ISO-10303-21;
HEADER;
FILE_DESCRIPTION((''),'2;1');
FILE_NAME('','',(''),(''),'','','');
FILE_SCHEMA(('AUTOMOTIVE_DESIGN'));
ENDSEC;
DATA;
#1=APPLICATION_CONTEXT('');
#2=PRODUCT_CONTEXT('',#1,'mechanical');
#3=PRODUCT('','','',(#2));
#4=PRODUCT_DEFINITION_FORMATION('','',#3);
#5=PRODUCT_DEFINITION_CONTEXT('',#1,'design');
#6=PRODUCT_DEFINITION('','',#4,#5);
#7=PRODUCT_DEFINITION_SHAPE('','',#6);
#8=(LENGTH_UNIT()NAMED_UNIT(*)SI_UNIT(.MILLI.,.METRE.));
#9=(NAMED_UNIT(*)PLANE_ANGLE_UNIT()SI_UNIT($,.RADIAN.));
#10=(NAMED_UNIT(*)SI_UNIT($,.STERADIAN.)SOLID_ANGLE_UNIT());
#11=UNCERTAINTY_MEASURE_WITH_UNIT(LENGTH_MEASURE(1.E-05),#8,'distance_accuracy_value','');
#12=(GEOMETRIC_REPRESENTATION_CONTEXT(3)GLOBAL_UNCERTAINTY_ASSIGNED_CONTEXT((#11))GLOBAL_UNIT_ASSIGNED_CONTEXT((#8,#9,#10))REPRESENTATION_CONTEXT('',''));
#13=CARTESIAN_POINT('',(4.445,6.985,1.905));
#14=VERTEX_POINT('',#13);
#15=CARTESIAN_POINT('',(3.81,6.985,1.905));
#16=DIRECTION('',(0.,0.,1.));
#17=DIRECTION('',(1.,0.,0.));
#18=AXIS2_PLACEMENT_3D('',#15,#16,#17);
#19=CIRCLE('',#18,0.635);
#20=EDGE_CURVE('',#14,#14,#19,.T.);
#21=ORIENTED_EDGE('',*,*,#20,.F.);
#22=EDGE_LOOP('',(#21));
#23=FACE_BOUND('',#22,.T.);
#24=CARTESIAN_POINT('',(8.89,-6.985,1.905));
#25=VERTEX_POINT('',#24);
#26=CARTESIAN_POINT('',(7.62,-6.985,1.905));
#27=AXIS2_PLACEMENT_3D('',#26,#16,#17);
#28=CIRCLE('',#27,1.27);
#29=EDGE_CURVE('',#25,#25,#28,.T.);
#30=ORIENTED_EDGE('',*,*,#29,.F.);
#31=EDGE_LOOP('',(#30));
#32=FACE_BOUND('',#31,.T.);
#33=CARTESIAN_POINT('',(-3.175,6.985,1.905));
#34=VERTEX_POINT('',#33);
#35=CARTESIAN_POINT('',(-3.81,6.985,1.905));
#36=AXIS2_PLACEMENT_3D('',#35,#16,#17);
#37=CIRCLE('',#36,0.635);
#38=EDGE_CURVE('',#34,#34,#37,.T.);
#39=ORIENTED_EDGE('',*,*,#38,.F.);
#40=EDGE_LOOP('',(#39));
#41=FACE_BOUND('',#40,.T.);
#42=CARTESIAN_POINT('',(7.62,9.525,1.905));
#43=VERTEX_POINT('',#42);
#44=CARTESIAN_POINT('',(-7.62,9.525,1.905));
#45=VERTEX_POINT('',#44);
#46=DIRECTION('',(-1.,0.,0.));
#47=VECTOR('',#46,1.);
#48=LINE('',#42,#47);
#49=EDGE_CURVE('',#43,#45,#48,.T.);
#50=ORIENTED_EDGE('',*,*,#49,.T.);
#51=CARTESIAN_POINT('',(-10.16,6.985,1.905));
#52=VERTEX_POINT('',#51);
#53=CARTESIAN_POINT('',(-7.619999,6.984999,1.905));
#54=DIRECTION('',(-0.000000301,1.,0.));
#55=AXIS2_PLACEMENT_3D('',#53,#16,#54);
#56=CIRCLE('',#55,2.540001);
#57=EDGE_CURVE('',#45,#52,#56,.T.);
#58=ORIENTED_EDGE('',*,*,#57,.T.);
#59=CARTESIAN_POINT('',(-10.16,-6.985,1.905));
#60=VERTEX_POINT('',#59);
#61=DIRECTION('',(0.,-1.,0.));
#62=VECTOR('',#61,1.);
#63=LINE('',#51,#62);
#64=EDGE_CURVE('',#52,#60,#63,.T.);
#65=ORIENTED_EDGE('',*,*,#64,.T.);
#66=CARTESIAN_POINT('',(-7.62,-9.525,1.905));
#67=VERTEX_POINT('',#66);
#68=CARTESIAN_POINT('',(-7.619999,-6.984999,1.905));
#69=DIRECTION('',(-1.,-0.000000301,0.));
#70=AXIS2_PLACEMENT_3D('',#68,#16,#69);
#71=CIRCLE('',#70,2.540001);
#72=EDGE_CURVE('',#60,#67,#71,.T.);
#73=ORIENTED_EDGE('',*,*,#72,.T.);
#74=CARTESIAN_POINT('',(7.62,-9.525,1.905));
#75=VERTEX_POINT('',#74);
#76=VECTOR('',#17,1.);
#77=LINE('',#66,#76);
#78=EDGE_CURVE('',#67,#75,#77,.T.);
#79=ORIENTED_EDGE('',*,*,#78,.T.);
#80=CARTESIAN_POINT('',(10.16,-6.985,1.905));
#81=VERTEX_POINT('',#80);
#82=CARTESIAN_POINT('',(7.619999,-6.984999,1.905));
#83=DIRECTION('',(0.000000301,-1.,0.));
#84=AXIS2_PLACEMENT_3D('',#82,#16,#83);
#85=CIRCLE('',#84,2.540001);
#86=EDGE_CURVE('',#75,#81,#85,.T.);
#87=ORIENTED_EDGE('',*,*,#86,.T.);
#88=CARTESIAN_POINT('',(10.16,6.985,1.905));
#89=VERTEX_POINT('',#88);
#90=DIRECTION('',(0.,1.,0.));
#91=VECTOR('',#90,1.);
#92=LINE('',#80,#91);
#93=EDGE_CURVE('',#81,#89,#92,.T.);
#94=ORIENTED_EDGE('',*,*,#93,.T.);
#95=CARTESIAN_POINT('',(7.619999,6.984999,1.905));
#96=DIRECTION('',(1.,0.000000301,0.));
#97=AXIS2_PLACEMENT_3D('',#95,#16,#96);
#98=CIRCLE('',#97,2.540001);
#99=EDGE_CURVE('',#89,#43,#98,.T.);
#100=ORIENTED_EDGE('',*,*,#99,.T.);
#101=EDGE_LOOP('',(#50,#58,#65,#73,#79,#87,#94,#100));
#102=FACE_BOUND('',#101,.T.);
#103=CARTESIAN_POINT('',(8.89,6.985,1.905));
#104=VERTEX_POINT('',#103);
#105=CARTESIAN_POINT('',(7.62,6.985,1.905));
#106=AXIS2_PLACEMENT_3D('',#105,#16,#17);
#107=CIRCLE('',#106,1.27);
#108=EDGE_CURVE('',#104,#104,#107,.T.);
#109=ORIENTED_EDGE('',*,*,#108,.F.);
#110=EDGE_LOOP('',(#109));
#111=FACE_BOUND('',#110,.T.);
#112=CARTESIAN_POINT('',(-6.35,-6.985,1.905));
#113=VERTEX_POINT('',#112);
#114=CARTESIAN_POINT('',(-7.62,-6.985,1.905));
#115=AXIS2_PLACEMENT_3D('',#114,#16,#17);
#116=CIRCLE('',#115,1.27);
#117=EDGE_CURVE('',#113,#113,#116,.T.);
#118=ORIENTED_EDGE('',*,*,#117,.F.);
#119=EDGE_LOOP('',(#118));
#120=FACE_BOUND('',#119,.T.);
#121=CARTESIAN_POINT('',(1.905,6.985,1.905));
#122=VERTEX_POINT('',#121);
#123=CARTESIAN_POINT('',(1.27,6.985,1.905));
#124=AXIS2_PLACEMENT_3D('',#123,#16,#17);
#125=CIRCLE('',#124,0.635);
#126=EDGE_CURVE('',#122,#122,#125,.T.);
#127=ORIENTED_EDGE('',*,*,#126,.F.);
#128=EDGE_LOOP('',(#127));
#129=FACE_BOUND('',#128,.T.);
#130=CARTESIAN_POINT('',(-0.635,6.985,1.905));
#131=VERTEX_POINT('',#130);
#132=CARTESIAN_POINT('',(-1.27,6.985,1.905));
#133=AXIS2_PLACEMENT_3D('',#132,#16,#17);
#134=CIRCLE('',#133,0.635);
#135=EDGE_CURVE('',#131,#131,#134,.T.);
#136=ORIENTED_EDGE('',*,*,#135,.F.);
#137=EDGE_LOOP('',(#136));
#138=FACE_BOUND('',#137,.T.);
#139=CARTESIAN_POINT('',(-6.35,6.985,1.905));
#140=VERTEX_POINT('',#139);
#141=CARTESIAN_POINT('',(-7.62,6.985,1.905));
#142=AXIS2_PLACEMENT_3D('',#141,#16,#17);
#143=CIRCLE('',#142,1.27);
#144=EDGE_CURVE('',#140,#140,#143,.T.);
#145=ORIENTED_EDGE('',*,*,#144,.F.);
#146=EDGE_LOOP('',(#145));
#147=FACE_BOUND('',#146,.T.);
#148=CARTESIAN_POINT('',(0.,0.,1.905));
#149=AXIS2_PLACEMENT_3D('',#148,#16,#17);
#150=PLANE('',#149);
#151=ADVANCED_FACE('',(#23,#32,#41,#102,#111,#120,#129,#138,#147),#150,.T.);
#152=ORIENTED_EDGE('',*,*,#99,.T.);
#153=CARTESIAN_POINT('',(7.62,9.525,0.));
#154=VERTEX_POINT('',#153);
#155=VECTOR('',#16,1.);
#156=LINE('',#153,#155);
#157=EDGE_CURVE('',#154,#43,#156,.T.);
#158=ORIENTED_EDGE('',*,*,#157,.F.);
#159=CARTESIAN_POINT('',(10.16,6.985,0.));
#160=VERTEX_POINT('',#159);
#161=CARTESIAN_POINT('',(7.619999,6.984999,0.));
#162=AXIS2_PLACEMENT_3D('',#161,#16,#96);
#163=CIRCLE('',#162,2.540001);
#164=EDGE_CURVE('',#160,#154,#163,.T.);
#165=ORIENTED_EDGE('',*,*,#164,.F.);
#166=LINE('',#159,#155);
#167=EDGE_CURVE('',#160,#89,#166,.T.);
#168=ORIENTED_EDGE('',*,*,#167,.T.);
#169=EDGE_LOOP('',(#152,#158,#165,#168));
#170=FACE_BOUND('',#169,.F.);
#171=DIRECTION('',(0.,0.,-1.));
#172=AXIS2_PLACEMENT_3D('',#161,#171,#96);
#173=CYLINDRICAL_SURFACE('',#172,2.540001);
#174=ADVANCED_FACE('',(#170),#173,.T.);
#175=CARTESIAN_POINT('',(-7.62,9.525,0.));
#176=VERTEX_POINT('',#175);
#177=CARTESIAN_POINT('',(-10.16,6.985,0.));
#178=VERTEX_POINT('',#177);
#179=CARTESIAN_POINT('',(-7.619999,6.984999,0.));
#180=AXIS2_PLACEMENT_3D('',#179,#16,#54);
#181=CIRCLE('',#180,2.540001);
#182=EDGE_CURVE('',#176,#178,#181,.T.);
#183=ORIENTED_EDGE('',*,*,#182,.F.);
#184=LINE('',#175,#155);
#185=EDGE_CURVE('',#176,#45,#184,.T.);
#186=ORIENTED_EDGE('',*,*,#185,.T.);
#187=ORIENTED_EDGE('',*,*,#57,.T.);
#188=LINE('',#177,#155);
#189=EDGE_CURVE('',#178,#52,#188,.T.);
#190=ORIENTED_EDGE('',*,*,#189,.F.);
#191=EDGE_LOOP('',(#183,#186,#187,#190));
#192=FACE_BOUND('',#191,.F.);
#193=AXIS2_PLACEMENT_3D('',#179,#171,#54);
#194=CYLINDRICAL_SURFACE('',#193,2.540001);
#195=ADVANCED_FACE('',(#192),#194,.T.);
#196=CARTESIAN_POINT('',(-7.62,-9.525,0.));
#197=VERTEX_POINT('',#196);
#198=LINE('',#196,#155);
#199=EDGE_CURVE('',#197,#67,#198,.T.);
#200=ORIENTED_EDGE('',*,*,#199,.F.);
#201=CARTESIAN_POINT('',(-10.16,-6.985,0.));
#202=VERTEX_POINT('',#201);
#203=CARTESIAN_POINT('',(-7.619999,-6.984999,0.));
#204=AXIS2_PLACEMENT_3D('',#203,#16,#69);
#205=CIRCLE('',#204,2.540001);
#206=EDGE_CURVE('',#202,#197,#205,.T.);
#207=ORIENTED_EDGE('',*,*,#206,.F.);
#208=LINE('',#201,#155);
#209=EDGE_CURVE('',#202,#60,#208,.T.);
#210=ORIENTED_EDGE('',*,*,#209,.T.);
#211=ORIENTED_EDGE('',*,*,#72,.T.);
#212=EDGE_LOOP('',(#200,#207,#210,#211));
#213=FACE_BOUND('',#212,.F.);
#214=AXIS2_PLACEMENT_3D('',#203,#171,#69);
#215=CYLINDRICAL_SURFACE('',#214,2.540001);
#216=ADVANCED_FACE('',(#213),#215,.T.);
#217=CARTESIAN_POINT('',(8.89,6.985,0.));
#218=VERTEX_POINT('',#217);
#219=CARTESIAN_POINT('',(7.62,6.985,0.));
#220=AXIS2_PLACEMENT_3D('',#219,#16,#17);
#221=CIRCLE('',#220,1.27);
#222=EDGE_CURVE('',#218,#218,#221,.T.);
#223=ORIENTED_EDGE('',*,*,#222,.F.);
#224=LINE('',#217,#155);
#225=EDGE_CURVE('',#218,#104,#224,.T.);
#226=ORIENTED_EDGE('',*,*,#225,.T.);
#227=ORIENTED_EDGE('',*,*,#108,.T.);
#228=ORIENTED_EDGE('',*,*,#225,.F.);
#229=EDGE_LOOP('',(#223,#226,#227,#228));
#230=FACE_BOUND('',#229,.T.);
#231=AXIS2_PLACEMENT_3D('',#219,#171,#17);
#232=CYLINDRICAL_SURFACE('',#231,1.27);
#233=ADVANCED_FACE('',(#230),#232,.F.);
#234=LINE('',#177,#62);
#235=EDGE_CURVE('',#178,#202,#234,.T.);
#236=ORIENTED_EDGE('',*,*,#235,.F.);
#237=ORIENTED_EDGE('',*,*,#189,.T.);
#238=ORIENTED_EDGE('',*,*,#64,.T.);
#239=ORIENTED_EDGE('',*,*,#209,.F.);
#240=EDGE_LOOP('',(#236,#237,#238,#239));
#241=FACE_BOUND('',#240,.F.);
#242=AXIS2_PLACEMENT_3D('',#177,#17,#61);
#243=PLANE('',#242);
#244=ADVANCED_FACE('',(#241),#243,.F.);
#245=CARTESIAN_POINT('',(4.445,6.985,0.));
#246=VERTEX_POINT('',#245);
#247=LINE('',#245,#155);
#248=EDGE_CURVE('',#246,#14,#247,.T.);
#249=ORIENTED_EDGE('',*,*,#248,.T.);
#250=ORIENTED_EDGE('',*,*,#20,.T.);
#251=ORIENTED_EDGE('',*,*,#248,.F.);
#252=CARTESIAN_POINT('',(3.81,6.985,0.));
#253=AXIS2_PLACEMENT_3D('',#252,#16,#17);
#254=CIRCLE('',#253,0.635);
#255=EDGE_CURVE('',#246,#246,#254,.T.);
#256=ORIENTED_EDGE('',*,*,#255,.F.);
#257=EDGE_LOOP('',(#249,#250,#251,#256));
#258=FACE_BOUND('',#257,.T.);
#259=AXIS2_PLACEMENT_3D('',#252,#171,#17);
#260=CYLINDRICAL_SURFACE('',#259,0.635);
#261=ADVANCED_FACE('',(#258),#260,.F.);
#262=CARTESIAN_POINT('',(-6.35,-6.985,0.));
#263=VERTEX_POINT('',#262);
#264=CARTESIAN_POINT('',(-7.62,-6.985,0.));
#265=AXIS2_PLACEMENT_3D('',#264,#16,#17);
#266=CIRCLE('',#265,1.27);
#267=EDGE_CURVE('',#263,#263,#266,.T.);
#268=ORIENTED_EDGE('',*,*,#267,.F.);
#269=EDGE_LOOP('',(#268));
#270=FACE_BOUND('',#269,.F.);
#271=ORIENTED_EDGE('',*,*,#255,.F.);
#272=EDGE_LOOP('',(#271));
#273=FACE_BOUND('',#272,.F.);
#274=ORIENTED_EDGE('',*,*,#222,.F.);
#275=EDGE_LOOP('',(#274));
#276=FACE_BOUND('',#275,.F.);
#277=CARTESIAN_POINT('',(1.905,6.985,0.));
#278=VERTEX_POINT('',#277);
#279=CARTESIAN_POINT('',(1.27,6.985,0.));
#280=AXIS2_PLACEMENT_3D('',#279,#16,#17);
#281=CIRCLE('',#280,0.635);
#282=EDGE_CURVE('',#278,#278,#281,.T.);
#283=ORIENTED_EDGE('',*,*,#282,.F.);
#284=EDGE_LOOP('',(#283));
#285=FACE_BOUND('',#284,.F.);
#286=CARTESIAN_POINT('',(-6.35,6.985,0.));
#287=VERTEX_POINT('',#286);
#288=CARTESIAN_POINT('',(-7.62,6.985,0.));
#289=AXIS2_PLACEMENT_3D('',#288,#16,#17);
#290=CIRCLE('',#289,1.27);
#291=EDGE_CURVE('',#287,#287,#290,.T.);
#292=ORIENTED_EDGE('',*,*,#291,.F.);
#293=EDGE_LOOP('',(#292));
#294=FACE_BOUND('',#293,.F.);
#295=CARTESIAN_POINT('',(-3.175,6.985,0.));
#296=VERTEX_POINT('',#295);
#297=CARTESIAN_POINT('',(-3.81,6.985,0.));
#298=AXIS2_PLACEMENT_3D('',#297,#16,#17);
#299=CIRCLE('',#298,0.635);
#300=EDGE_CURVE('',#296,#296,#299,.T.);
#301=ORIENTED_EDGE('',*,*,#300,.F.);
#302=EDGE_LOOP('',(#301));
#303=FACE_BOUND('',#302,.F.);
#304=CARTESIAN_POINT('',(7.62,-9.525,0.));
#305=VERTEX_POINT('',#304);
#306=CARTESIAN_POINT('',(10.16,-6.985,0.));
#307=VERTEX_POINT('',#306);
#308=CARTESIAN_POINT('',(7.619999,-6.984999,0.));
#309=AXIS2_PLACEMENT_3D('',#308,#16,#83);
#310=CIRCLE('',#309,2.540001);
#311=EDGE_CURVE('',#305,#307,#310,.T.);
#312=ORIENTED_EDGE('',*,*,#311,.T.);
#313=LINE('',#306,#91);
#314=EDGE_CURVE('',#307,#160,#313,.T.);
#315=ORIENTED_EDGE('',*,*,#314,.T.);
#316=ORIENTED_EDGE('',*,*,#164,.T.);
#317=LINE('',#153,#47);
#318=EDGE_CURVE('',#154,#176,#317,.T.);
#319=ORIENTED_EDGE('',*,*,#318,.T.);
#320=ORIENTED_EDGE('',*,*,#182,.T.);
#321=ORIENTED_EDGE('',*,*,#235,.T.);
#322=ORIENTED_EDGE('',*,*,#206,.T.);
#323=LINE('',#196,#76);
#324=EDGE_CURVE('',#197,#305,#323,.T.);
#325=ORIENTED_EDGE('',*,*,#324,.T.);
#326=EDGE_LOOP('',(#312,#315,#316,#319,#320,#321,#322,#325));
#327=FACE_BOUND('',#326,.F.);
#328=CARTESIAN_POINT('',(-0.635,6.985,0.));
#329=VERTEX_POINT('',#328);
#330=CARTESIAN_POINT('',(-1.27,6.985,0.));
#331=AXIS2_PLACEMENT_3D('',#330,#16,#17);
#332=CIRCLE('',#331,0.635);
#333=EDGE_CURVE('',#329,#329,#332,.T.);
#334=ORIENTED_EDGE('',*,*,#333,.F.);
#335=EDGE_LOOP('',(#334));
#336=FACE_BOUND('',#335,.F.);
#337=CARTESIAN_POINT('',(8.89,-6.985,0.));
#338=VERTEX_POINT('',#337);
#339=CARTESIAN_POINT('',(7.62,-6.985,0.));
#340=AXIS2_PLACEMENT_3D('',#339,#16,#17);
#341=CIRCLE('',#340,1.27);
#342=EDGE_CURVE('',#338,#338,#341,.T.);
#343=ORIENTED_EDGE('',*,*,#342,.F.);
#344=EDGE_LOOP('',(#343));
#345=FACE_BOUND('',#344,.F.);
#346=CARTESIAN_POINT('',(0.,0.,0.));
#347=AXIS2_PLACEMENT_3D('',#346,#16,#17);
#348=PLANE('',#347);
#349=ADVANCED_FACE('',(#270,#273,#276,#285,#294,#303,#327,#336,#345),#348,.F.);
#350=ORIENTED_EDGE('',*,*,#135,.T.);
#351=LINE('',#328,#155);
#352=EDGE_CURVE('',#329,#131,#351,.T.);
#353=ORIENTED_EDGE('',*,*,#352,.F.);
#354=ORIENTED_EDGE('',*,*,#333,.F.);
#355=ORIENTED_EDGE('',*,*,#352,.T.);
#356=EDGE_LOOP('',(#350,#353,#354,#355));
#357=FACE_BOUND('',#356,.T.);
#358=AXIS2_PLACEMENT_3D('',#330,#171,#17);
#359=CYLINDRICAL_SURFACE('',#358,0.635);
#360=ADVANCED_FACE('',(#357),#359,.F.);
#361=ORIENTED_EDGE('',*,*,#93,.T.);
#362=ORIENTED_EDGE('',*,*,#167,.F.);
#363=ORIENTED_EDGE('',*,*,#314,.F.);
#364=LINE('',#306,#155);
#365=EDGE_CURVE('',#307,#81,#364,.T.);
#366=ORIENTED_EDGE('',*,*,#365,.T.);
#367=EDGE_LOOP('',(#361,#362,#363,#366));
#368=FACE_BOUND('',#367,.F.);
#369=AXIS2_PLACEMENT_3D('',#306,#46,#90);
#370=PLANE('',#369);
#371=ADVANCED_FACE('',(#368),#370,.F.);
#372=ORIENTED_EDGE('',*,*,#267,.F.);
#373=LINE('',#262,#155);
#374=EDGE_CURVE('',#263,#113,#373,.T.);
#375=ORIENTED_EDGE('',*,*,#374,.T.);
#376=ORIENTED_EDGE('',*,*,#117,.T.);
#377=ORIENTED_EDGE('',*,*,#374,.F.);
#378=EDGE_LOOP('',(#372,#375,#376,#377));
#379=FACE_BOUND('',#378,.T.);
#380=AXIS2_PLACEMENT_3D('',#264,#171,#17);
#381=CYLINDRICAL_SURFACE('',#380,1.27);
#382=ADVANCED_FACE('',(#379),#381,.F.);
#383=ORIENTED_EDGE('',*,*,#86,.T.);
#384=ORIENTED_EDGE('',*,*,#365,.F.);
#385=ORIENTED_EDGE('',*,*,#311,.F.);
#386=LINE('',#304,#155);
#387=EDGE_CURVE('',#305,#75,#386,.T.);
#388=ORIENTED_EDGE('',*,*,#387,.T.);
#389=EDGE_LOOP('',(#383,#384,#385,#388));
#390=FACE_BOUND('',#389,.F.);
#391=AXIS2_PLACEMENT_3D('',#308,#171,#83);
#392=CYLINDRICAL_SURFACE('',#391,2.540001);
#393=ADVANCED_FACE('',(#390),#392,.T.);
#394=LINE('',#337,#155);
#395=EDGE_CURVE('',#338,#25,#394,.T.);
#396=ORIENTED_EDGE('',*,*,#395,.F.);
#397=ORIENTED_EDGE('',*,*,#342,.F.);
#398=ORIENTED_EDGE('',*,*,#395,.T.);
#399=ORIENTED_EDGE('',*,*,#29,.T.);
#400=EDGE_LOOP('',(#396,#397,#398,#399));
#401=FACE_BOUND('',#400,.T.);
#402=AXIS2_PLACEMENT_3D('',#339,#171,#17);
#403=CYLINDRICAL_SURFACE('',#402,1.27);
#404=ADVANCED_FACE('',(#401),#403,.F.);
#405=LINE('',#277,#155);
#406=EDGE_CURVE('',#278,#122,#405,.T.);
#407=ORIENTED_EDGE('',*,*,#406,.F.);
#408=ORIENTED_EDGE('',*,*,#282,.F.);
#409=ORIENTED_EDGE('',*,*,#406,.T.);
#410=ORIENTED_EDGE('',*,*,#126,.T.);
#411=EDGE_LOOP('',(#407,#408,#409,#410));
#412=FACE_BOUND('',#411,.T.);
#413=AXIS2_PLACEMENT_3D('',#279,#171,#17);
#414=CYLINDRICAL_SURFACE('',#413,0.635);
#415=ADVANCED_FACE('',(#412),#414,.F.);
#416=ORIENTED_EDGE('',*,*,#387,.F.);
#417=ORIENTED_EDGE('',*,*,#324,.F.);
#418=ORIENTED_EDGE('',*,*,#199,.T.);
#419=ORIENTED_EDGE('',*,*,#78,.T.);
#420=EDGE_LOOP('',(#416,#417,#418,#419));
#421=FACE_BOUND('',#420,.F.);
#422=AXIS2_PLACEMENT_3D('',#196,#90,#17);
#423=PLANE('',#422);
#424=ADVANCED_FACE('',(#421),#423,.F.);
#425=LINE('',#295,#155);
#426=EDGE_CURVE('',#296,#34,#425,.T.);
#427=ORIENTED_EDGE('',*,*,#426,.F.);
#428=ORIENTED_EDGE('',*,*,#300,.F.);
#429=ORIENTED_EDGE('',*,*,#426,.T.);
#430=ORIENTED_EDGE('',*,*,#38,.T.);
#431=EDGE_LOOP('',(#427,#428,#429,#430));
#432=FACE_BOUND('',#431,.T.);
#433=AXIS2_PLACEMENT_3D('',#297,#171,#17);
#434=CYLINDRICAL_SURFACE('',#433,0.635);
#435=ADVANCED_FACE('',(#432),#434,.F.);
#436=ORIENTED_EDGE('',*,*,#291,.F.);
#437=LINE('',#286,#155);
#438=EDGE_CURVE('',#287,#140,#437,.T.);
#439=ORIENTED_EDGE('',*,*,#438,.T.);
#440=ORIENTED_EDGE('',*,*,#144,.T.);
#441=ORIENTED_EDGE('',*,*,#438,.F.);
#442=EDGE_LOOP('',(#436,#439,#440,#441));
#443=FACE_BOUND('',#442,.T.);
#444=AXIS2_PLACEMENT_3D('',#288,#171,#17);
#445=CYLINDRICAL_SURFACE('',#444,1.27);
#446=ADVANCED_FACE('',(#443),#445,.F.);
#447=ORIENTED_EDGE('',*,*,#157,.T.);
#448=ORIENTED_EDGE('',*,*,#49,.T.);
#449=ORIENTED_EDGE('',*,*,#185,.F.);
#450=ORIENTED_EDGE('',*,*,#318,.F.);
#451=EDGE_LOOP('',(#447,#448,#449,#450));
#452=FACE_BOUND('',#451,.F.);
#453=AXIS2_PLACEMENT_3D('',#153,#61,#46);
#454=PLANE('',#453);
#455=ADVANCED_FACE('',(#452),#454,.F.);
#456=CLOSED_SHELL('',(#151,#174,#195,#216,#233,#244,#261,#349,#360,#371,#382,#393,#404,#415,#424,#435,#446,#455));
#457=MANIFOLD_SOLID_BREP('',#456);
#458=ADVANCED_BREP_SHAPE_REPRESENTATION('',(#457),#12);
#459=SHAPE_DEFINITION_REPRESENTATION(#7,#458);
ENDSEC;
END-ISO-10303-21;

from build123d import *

# Parameters (mm, degrees)
F0_R     = 1.27
F0_R_2   = 0.635
F1_DEPTH = 1.905


with BuildPart() as f1:
    # F0 (on Top) → F1 (new body)
    with BuildSketch(Plane.XY):
        with BuildLine():
            Line((-7.62, -9.525), (7.62, -9.525))
            ThreePointArc((7.62, -9.525), (9.416051, -8.781051), (10.16, -6.985))
            Line((10.16, -6.985), (10.16, 6.985))
            ThreePointArc((10.16, 6.985), (9.416051, 8.781051), (7.62, 9.525))
            Line((7.62, 9.525), (-7.62, 9.525))
            ThreePointArc((-7.62, 9.525), (-9.416051, 8.781051), (-10.16, 6.985))
            Line((-10.16, 6.985), (-10.16, -6.985))
            ThreePointArc((-10.16, -6.985), (-9.416051, -8.781051), (-7.62, -9.525))
        make_face()
        with Locations((-7.62, -6.985)):
            Circle(F0_R, mode=Mode.SUBTRACT)
        with Locations((7.62, -6.985)):
            Circle(F0_R, mode=Mode.SUBTRACT)
        with Locations((-7.62, 6.985)):
            Circle(F0_R, mode=Mode.SUBTRACT)
        with Locations((-3.81, 6.985)):
            Circle(F0_R_2, mode=Mode.SUBTRACT)
        with Locations((-1.27, 6.985)):
            Circle(F0_R_2, mode=Mode.SUBTRACT)
        with Locations((1.27, 6.985)):
            Circle(F0_R_2, mode=Mode.SUBTRACT)
        with Locations((3.81, 6.985)):
            Circle(F0_R_2, mode=Mode.SUBTRACT)
        with Locations((7.62, 6.985)):
            Circle(F0_R, mode=Mode.SUBTRACT)
    extrude(amount=F1_DEPTH)


solid = f1.part
